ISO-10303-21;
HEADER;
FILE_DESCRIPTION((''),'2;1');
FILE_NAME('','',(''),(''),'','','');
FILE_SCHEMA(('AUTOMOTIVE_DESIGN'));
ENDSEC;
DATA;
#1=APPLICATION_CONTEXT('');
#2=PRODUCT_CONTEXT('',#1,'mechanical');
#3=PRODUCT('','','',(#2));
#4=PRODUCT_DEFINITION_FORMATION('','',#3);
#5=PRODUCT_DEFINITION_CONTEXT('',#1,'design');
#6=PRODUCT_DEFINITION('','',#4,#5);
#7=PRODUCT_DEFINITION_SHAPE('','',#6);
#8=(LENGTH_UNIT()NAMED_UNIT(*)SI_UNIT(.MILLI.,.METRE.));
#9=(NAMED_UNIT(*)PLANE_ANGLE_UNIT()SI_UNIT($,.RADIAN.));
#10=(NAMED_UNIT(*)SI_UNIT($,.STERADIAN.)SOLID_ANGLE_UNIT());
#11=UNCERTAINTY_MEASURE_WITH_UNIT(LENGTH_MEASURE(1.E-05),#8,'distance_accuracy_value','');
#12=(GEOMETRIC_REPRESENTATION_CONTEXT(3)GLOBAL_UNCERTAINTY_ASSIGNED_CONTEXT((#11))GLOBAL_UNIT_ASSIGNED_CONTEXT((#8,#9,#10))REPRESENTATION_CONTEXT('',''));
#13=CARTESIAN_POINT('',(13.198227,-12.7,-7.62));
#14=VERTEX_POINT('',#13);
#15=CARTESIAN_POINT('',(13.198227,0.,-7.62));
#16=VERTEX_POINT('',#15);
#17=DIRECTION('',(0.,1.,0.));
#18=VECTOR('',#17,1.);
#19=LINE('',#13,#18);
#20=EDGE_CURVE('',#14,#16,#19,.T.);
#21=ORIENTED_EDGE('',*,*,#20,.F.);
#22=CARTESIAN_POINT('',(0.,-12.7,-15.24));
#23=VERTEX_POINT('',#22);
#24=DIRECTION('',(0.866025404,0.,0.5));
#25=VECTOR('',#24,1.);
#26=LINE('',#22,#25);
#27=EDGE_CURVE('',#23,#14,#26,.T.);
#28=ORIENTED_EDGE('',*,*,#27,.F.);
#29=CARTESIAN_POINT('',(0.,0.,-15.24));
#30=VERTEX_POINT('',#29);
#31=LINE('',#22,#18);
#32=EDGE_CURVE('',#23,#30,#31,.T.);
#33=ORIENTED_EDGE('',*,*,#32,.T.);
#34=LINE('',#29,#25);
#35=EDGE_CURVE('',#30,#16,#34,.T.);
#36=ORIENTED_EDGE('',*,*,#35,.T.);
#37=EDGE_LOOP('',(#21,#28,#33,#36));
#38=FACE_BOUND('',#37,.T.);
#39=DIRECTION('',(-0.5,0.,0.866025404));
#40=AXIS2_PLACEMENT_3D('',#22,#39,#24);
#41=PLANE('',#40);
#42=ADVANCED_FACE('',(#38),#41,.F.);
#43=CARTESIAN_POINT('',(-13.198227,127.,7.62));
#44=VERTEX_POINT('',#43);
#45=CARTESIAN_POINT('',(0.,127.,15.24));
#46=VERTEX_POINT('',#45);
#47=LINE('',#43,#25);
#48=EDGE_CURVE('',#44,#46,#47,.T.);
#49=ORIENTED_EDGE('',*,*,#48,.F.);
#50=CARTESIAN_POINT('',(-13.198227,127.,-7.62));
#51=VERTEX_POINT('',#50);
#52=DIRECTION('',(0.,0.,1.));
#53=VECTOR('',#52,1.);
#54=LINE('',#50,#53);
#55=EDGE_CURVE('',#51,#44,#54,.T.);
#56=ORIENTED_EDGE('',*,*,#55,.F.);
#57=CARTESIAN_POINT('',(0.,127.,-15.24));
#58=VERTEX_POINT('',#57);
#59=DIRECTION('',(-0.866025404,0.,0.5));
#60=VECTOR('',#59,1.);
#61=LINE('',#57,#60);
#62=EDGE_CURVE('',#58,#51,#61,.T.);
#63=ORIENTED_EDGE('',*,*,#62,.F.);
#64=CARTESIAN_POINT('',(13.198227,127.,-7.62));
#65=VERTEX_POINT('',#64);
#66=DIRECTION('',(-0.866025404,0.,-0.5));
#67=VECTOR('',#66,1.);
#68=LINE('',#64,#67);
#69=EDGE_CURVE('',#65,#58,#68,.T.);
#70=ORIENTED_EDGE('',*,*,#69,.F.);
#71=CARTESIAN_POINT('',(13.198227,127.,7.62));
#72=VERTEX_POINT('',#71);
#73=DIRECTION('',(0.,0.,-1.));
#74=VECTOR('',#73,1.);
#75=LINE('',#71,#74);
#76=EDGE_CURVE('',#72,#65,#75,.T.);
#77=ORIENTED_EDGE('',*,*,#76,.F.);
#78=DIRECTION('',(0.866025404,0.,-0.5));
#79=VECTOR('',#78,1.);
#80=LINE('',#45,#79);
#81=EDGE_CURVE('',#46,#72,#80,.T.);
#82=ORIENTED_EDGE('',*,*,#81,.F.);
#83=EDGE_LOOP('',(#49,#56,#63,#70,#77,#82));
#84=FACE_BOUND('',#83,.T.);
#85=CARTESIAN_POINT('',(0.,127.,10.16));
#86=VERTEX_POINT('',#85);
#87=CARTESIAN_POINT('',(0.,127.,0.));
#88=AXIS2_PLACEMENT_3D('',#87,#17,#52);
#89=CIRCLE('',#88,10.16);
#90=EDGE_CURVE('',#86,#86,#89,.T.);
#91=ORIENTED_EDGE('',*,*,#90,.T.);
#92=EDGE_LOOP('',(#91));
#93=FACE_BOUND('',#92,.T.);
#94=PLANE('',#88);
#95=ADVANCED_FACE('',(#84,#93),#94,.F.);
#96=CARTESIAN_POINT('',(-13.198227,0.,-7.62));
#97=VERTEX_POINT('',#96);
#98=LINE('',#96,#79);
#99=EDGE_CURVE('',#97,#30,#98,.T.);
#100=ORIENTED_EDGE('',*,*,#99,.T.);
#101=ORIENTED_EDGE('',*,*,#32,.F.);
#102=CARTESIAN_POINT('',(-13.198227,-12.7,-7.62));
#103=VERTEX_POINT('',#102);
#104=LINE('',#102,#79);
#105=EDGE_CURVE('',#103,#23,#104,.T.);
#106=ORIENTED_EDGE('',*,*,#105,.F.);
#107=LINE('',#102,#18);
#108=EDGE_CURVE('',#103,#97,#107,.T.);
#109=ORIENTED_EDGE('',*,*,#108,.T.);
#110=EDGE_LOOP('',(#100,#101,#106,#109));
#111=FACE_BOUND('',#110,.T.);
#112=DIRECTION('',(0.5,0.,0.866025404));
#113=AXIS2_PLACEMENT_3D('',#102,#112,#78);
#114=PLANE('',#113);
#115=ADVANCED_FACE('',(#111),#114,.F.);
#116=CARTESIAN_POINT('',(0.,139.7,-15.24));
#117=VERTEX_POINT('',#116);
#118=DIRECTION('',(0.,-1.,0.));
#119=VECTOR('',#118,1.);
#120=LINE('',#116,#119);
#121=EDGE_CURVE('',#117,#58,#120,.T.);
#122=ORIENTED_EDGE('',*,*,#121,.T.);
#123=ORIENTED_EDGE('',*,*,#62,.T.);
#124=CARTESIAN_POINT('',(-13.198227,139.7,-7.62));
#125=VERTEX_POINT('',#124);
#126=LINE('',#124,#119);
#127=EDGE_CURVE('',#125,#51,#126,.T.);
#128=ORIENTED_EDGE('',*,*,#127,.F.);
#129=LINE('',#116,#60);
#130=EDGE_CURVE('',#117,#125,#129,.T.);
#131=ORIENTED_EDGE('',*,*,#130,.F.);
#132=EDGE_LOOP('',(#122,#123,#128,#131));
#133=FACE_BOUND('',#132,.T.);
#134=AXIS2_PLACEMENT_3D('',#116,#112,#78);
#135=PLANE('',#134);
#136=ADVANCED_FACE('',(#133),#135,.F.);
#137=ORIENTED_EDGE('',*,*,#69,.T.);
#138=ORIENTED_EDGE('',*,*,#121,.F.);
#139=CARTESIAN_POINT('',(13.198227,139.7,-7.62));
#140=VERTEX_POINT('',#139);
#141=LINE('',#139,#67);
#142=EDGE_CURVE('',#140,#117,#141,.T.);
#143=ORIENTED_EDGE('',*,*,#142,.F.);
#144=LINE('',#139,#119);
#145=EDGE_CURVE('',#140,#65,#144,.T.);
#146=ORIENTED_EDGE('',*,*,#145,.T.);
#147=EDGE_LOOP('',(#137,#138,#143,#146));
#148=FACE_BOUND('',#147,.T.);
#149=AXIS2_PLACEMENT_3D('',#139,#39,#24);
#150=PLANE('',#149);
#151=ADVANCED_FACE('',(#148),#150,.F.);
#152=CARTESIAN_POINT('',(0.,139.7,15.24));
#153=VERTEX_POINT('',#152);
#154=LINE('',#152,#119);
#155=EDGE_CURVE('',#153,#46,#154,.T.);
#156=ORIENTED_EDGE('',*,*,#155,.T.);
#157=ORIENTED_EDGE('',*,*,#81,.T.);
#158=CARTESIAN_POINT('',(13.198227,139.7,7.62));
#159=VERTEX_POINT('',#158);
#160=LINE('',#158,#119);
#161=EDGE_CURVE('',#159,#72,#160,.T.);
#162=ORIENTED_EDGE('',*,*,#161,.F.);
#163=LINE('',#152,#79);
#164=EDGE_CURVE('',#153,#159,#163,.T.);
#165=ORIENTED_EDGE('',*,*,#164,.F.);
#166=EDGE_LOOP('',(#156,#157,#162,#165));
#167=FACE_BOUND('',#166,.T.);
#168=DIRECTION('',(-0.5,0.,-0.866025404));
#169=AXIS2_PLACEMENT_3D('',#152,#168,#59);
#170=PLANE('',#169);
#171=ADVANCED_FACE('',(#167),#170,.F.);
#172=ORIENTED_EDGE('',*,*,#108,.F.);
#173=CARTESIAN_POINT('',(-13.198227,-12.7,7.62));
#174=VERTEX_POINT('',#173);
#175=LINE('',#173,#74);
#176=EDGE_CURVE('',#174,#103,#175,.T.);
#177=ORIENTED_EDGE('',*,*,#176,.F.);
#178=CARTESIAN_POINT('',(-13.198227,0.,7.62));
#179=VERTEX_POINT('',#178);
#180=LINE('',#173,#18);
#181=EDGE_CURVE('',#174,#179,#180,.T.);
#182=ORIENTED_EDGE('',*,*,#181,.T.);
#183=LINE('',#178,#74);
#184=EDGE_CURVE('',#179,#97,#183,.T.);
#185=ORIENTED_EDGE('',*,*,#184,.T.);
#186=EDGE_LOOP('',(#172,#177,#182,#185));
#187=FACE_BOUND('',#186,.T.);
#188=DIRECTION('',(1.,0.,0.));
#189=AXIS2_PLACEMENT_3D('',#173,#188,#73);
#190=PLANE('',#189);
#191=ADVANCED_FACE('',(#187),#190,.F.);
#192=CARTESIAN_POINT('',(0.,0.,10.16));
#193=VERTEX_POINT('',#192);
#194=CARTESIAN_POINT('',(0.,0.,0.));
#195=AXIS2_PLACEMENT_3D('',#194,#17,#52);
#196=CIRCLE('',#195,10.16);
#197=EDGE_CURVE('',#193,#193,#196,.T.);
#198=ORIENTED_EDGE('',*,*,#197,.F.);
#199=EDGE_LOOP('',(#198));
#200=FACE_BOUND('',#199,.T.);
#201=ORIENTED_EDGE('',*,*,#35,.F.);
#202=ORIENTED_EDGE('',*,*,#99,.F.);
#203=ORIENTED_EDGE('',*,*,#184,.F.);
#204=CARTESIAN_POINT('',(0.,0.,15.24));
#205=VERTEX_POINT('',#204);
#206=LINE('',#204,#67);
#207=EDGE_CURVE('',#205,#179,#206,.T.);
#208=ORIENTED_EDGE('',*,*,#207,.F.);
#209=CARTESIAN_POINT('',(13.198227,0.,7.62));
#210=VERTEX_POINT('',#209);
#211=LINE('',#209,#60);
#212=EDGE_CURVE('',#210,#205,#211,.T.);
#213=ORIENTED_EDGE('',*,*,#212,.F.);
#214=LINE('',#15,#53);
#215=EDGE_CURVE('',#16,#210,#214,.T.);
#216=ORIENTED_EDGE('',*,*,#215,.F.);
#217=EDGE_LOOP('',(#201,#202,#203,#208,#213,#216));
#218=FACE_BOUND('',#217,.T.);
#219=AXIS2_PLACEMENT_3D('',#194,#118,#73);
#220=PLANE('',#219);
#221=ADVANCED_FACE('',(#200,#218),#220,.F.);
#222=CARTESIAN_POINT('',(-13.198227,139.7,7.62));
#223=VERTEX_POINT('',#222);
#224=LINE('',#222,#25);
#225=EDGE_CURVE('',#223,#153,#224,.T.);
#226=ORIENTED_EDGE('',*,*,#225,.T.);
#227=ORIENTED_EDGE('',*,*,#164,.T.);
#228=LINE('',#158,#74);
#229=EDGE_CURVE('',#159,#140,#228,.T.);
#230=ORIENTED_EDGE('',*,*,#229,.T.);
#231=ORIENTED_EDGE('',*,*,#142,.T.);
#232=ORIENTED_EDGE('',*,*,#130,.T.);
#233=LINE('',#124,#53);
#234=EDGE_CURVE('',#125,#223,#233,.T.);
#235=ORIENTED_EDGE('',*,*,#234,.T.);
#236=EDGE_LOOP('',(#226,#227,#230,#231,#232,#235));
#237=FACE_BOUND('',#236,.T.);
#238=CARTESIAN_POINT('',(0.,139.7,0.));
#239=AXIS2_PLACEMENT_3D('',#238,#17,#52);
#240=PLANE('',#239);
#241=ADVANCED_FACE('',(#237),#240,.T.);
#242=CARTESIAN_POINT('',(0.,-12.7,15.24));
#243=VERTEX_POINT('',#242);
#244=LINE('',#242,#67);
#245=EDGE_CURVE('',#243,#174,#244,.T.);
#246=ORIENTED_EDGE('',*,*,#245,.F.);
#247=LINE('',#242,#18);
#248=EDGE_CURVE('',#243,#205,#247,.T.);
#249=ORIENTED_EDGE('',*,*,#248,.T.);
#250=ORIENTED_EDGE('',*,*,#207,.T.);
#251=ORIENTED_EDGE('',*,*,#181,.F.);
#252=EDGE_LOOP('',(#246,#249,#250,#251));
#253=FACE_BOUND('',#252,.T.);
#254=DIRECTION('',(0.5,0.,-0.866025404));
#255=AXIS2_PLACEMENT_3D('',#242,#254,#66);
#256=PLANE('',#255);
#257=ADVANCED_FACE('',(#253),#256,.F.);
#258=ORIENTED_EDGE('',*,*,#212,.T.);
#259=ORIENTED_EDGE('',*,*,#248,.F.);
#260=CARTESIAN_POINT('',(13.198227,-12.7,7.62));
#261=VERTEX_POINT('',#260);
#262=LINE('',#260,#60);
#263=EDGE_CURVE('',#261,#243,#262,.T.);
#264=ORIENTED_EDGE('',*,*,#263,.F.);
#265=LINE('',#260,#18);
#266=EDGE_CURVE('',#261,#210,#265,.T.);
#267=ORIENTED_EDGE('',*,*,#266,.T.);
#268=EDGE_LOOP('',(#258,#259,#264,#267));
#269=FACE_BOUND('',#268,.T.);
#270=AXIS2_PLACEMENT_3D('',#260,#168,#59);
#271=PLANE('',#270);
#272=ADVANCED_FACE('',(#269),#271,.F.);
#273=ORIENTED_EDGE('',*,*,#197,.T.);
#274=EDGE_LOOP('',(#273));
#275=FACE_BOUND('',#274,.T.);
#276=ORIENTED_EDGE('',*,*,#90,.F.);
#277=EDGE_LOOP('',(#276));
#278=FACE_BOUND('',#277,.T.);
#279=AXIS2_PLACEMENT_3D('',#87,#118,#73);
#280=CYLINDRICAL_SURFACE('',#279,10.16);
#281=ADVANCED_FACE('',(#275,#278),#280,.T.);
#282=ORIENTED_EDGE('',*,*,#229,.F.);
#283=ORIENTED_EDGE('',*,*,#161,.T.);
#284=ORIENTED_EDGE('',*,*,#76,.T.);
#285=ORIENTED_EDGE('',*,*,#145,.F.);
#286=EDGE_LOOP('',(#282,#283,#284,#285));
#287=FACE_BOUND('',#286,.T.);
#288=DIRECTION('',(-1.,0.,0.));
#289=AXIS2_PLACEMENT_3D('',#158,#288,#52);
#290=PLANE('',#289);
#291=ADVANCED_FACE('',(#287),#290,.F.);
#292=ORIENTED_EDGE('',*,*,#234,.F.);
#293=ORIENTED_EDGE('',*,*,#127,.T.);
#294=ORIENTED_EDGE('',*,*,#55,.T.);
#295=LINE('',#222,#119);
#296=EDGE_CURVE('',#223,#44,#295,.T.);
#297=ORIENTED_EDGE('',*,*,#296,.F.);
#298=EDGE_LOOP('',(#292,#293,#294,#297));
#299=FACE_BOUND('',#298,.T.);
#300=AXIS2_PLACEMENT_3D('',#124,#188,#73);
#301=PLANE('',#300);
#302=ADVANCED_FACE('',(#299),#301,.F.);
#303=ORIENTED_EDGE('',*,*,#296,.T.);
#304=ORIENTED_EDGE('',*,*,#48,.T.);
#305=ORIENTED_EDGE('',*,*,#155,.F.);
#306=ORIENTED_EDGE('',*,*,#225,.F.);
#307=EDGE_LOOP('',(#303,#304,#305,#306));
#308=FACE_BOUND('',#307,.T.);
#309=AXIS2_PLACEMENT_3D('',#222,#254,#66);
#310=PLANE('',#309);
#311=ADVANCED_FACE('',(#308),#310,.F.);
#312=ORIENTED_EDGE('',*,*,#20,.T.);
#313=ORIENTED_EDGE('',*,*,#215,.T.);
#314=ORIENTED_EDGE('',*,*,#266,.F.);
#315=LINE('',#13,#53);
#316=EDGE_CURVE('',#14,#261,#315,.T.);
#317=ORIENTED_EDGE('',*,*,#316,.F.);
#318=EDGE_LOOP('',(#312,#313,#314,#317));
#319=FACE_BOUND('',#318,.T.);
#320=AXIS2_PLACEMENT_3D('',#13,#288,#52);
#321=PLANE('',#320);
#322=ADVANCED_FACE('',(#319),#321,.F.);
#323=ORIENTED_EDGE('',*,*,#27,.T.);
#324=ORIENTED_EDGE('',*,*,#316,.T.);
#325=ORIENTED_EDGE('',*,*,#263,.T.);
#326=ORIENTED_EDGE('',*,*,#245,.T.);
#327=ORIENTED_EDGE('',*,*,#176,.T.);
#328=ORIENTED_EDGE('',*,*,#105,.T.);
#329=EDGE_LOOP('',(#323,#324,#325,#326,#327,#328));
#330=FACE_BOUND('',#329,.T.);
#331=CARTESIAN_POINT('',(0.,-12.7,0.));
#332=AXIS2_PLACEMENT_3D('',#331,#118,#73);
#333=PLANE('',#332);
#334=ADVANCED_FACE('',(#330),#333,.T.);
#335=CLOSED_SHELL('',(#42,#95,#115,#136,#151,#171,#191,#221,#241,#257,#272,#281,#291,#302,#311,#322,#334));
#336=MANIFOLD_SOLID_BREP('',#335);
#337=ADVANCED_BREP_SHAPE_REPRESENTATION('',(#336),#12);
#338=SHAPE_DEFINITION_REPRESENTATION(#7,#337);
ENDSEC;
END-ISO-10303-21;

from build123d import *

# Parameters (mm, degrees)
SKETCH1_R           = 10.16
BOSS_EXTRUDE1_DEPTH = 127
BOSS_EXTRUDE2_DEPTH = 12.7
BOSS_EXTRUDE3_DEPTH = 12.7


with BuildPart() as part:
    # Sketch1 → Boss-Extrude1 (new body)
    with BuildSketch(Plane(origin=(0, 0, 0), x_dir=(1, 0, 0), z_dir=(0, 1, 0))):
        Circle(SKETCH1_R)
    extrude(amount=BOSS_EXTRUDE1_DEPTH)

    # Sketch2 → Boss-Extrude2 (add)
    with BuildSketch(Plane(origin=(0, 127, 0), x_dir=(1, 0, 0), z_dir=(0, 1, 0))):
        Polygon((0, 15.24), (-13.198227154, 7.62), (-13.198227154, -7.62), (0, -15.24), (13.198227154, -7.62), (13.198227154, 7.62), align=None)
    extrude(amount=BOSS_EXTRUDE2_DEPTH)

    # Sketch3 → Boss-Extrude3 (add)
    with BuildSketch(Plane.XZ):
        Polygon((-13.198227154, 7.62), (-13.198227154, -7.62), (0, -15.24), (13.198227154, -7.62), (13.198227154, 7.62), (0, 15.24), align=None)
    extrude(amount=BOSS_EXTRUDE3_DEPTH)


solid = part.part
